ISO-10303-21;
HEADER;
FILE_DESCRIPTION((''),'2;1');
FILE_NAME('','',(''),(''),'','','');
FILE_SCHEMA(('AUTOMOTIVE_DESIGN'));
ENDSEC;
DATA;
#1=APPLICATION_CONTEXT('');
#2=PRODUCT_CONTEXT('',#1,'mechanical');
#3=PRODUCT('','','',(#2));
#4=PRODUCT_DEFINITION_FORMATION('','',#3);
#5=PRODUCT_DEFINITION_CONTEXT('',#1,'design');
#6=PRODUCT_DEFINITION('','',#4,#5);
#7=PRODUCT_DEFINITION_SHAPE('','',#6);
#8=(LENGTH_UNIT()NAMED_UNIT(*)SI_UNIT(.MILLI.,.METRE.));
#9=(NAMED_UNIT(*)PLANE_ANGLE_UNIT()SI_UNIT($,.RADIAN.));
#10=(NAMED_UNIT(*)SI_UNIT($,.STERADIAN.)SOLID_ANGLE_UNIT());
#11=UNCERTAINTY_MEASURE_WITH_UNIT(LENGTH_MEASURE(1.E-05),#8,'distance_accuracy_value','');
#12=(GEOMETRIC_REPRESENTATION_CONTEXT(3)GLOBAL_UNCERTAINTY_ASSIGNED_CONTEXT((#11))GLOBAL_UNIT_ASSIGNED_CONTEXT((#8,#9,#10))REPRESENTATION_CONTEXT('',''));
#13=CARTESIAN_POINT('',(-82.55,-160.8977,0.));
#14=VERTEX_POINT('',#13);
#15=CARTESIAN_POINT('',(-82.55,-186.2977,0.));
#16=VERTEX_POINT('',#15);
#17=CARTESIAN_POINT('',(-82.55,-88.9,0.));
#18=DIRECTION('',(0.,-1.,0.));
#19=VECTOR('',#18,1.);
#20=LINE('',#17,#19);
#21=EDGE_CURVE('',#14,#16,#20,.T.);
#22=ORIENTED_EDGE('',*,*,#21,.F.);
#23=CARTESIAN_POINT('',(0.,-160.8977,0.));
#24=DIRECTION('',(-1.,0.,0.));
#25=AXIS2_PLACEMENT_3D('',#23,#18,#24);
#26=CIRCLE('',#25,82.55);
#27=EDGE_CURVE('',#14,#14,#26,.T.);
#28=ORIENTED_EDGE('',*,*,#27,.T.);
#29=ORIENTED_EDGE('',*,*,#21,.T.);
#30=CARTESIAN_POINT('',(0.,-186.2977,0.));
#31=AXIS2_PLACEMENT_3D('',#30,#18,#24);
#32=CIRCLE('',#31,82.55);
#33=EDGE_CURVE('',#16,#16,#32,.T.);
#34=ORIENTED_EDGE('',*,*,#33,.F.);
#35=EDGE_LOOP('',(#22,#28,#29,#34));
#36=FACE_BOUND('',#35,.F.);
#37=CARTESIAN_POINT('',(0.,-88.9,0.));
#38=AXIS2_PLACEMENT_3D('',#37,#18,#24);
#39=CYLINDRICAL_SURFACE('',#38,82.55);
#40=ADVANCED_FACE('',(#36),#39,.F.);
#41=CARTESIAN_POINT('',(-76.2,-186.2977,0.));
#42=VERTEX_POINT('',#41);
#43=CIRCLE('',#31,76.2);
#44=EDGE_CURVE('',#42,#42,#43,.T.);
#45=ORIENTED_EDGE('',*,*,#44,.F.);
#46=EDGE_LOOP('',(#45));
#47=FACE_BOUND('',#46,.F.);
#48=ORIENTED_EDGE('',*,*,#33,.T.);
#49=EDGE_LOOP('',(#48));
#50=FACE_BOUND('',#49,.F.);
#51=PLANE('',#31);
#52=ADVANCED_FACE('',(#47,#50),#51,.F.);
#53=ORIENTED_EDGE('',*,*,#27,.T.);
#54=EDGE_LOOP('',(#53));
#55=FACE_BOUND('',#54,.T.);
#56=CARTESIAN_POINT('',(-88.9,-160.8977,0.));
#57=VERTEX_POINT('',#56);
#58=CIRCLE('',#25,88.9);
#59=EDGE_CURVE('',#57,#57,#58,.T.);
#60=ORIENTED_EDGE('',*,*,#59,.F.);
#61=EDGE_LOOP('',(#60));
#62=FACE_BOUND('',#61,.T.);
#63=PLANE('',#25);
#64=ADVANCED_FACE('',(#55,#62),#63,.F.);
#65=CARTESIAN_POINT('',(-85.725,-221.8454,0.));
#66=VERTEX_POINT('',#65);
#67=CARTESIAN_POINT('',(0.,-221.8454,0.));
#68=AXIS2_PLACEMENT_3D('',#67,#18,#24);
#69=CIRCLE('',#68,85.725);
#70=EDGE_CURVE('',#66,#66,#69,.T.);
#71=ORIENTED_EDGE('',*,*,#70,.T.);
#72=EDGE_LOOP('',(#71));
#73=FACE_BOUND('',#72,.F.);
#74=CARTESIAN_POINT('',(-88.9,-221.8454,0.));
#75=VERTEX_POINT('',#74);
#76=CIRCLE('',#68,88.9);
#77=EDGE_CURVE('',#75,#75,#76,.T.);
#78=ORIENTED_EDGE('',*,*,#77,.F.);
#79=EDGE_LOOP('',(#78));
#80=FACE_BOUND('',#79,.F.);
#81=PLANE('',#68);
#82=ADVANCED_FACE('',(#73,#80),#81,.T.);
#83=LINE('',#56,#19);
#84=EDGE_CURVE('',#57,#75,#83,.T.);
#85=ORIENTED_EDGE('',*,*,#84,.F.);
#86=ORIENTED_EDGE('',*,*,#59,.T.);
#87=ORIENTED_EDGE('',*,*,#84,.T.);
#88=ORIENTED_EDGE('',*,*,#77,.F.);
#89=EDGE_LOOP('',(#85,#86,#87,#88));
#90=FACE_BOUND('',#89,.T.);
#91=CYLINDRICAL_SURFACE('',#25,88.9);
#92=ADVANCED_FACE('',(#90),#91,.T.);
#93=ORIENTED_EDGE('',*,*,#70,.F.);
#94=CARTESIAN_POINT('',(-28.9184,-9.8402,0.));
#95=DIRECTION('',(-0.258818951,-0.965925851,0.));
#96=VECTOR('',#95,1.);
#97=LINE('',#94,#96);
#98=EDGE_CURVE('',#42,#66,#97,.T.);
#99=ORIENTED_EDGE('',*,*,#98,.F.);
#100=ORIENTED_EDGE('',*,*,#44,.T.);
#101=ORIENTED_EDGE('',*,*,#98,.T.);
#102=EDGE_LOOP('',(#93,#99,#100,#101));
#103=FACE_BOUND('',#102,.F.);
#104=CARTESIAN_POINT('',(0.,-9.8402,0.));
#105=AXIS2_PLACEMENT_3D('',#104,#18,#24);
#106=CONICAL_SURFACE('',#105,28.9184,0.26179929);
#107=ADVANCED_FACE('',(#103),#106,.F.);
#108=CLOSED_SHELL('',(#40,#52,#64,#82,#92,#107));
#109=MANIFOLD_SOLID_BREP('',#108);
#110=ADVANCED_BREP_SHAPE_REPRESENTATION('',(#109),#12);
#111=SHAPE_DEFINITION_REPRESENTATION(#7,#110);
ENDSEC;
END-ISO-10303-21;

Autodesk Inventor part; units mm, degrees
ref_plane "YZ Plane" through (0, 0, 0) normal (1, 0, 0) x (0, 1, 0)
ref_plane "XZ Plane" through (0, 0, 0) normal (0, 1, 0) x (-1, 0, 0)
ref_plane "XY Plane" through (0, 0, 0) normal (0, 0, 1) x (1, 0, 0)
sketch "Sketch1" plane through (0, 0, 0) normal (0, 0, 1) x (1, 0, 0)
  line L0 (0, 25.4) -> (-28.702, 25.4) construction
  line L1 (0, 25.4) -> (-95.25, 25.4) construction
  line L2 (-95.25, 25.4) -> (-92.075, 25.4) construction
  line L3 (-92.075, 25.4) -> (-84.455, 21.8467) construction
  line L4 (-92.075, 25.4) -> (-92.075, 22.4389) construction
  line L5 (-92.075, 0) -> (-95.25, 0)
  line L6 (-28.702, 59.0535) -> (-28.702, -92.5226) construction
  arc A0 (-28.9184, -9.8402) -> (-32.3684, -2.4417) centre (-35.052, -8.1967) ccw
  line L7 (-76.2, -186.2977) -> (-28.702, -9.0327)
  line L8 (-92.075, 25.4) -> (-92.075, 0)
  line L9 (-92.075, 25.4) -> (-32.3684, -2.4417)
  line L10 (-28.702, -8.1967) -> (-60.452, -8.1967) construction
  line L11 (-60.452, -127.5253) -> (-54.102, -127.5253) construction
  line L12 (-54.102, -127.5253) -> (-54.102, -103.8268) construction
  line L13 (-54.102, -103.8268) -> (-60.452, -103.8268)
  line L14 (-60.452, 10.654) -> (-60.452, 1.129) construction
  line L15 (-60.452, 10.654) -> (-60.452, 4.1232) construction
  line L16 (-60.452, 4.1232) -> (-46.4468, 4.1232)
  line L17 (-95.25, 0) -> (-95.25, -12.7) construction
  line L18 (-60.452, -12.7) -> (-73.152, -12.7) construction
  line L19 (-95.25, -12.7) -> (-95.25, -25.4) construction
  line L20 (-95.25, -25.4) -> (-95.25, -88.9) construction
  line L21 (-95.25, -88.9) -> (-82.55, -88.9) construction
  line L22 (-82.55, -88.9) -> (-82.55, -25.4) construction
  line L23 (-95.25, -25.4) -> (-82.55, -25.4)
  line L24 (-82.55, -25.4) -> (-82.55, -88.9)
  line L25 (-82.55, -88.9) -> (-95.25, -88.9)
  line L26 (-95.25, -12.7) -> (-73.152, -12.7)
  line L27 (-73.152, -139.3746) -> (-63.627, -139.3746)
  line L28 (-82.55, -88.9) -> (-82.55, -186.2977)
  line L29 (-82.55, -186.2977) -> (-76.2, -186.2977)
  line L30 (-73.152, -12.7) -> (-73.152, -139.3746)
  line L31 (-88.9, -25.4) -> (-88.9, -31.3436)
  line L32 (-88.9, -31.3436) -> (-95.25, -31.3436)
  line L33 (-95.25, 0) -> (-95.25, -25.4)
  line L34 (-95.25, -31.3436) -> (-95.25, -88.9)
  line L35 (-88.9, -160.8977) -> (-88.9, -221.8454)
  line L36 (-28.9184, -9.8402) -> (-85.725, -221.8454)
  line L37 (-85.725, -221.8454) -> (-88.9, -221.8454)
  line L38 (-82.55, -160.8977) -> (-88.9, -160.8977)
  line L39 (-66.802, -38.1) -> (-66.802, 4.1232)
  line L40 (-66.802, 4.1232) -> (-60.452, 4.1232)
  line L41 (-66.802, -38.1) -> (-60.452, -103.8268)
  line L42 (-60.452, 10.654) -> (-60.452, 4.1232) construction
  line L43 (-60.452, -8.1967) -> (-60.452, -12.7) construction
  line L44 (-60.452, -103.8268) -> (-60.452, -127.5253) construction
  line L45 (0, 59.6457) -> (0, -91.9304) construction
  line L46 (-73.152, -38.1) -> (-69.977, -38.1)
  line L47 (-69.977, -38.1) -> (-69.977, -12.7)
  line L48 (-66.802, -12.7) -> (-69.977, -12.7)
  point P0 (0, 0)
  point P1 (-95.25, -256.5049)
  point P2 (-88.7095, 22.4389)
  dimension "d0" = 28.702
  dimension "d1" = 95.25
  dimension "d2" = 3.175
  dimension "d3" = 25
  dimension "d5" = 25.4
  dimension "d6" = 25.4
  dimension "d8" = 12.7
  dimension "d12" = 31.75
  dimension "d13" = 6.35
  dimension "d16" = 12.7
  dimension "d17" = 12.7
  dimension "d18" = 12.7
  dimension "d19" = 63.5
  dimension "d20" = 12.7
  dimension "d22" = 9.525
  dimension "d23" = 6.35
  dimension "d25" = 5.9436
  dimension "d27" = 3.175
  dimension "d28" = 6.35
  dimension "d29" = 25.4
  dimension "d30" = 107.95
  dimension "d31" = 6.35
  dimension "d33" = 20.3552
  dimension "d34" = 15
  dimension "d35" = 3.175
  dimension "d36" = 25.4
revolve "Revolution1" add sketch "Sketch1" angle 360 about axis through (0, 59.6457, 0) along (0, -1, 0) contours L36 L37 L35 L38 L28 L29
properties part number "aluminum_skirt" material "Aluminum 6061"
